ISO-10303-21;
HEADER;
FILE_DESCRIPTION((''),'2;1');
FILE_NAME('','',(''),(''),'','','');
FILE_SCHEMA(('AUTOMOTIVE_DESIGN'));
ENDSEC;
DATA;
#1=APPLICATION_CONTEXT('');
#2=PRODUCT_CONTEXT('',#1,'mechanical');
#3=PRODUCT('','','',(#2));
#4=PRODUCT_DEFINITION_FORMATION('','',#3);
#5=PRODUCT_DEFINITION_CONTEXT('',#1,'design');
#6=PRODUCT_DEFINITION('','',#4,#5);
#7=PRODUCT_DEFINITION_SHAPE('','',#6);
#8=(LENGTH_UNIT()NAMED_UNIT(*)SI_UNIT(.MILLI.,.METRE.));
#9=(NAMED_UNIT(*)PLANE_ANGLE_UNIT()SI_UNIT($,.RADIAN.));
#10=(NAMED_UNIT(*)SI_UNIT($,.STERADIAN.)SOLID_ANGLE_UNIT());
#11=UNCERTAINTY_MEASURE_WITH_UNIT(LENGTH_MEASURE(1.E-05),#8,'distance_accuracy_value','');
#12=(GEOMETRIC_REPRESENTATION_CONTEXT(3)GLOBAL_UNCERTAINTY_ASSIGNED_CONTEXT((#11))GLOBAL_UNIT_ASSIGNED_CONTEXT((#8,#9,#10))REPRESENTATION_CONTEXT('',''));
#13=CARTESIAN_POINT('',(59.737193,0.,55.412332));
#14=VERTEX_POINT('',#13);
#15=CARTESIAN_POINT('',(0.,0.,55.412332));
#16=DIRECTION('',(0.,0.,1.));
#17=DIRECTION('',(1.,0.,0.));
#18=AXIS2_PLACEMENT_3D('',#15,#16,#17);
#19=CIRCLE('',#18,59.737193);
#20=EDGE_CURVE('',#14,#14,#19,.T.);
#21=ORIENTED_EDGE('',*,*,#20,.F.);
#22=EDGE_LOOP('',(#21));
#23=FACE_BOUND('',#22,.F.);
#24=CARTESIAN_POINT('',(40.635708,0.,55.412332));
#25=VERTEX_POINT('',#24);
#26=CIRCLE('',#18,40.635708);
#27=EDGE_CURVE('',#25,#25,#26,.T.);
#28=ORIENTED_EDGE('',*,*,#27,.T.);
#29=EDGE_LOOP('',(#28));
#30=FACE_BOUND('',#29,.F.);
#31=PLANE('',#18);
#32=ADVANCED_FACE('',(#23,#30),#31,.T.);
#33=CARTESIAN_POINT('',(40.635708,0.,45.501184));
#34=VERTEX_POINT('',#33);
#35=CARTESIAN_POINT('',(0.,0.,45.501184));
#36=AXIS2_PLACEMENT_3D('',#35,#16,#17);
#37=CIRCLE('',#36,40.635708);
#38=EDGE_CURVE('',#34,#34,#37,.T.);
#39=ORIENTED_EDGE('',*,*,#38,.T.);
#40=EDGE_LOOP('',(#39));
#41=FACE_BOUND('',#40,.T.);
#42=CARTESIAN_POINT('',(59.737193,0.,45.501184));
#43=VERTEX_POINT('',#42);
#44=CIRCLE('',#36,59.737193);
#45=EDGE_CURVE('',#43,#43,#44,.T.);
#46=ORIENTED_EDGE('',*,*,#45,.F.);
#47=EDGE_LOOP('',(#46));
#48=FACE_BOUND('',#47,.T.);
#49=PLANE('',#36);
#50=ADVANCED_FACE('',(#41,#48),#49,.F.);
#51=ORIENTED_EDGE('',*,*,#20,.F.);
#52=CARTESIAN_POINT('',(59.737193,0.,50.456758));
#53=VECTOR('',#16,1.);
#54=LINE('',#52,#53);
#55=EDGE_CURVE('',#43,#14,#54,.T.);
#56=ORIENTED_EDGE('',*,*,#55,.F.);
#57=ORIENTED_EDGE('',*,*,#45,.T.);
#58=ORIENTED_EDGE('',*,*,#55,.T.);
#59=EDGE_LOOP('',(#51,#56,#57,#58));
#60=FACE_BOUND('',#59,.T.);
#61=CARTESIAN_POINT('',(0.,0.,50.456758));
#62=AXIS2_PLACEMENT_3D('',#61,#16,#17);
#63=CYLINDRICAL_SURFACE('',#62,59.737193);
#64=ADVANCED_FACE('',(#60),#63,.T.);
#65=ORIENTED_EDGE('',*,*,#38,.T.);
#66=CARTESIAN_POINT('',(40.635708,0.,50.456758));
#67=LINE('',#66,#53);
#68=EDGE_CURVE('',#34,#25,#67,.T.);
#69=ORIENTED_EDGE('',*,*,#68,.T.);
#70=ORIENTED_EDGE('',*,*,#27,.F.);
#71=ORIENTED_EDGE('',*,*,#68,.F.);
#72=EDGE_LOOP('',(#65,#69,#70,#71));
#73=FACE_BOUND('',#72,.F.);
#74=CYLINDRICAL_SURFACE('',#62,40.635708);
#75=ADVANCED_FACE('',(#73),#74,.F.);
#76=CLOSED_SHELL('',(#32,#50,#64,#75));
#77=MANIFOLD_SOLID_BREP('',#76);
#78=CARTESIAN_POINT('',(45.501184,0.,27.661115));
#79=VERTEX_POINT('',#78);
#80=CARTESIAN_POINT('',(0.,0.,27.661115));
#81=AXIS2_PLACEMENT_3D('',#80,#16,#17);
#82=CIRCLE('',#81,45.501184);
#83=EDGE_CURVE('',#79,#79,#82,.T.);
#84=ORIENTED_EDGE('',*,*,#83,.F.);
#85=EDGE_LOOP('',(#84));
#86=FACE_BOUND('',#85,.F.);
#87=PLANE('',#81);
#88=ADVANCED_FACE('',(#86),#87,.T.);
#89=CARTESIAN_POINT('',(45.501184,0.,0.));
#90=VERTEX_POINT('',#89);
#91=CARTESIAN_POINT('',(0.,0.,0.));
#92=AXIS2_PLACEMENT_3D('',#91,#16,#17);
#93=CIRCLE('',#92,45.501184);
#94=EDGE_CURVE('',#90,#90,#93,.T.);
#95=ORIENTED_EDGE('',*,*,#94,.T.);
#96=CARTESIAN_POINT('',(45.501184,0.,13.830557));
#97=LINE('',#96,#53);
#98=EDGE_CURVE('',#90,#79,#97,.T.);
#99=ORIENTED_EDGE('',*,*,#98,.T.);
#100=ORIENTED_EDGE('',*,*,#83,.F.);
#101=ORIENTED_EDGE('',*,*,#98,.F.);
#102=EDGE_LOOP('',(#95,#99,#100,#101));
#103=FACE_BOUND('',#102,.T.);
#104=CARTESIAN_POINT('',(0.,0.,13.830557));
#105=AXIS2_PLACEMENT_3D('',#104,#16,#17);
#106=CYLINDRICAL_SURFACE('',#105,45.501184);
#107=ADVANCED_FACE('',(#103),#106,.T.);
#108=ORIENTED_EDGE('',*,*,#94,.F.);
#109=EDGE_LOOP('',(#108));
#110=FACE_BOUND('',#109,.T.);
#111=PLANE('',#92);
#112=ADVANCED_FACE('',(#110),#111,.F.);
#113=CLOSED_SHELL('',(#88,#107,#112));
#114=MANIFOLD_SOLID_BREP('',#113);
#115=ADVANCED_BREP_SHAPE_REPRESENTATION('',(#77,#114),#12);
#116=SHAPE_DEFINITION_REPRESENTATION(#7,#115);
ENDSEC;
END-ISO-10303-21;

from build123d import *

# Parameters (mm, degrees)
F0_W   = 45.501184
F0_H   = 27.661115
F0_W_2 = 19.101485
F0_H_2 = 9.911149


with BuildPart() as f1:
    # F0 (on Front) → F1 (revolve)
    with BuildSketch(Plane.XZ):
        with Locations((22.750592, 13.830557)):
            Rectangle(F0_W, F0_H)
        with Locations((50.186451, 50.456758)):
            Rectangle(F0_W_2, F0_H_2)
    revolve(axis=Axis((0, 0, 39.959952), (0, 0, 1)))


solid = f1.part
